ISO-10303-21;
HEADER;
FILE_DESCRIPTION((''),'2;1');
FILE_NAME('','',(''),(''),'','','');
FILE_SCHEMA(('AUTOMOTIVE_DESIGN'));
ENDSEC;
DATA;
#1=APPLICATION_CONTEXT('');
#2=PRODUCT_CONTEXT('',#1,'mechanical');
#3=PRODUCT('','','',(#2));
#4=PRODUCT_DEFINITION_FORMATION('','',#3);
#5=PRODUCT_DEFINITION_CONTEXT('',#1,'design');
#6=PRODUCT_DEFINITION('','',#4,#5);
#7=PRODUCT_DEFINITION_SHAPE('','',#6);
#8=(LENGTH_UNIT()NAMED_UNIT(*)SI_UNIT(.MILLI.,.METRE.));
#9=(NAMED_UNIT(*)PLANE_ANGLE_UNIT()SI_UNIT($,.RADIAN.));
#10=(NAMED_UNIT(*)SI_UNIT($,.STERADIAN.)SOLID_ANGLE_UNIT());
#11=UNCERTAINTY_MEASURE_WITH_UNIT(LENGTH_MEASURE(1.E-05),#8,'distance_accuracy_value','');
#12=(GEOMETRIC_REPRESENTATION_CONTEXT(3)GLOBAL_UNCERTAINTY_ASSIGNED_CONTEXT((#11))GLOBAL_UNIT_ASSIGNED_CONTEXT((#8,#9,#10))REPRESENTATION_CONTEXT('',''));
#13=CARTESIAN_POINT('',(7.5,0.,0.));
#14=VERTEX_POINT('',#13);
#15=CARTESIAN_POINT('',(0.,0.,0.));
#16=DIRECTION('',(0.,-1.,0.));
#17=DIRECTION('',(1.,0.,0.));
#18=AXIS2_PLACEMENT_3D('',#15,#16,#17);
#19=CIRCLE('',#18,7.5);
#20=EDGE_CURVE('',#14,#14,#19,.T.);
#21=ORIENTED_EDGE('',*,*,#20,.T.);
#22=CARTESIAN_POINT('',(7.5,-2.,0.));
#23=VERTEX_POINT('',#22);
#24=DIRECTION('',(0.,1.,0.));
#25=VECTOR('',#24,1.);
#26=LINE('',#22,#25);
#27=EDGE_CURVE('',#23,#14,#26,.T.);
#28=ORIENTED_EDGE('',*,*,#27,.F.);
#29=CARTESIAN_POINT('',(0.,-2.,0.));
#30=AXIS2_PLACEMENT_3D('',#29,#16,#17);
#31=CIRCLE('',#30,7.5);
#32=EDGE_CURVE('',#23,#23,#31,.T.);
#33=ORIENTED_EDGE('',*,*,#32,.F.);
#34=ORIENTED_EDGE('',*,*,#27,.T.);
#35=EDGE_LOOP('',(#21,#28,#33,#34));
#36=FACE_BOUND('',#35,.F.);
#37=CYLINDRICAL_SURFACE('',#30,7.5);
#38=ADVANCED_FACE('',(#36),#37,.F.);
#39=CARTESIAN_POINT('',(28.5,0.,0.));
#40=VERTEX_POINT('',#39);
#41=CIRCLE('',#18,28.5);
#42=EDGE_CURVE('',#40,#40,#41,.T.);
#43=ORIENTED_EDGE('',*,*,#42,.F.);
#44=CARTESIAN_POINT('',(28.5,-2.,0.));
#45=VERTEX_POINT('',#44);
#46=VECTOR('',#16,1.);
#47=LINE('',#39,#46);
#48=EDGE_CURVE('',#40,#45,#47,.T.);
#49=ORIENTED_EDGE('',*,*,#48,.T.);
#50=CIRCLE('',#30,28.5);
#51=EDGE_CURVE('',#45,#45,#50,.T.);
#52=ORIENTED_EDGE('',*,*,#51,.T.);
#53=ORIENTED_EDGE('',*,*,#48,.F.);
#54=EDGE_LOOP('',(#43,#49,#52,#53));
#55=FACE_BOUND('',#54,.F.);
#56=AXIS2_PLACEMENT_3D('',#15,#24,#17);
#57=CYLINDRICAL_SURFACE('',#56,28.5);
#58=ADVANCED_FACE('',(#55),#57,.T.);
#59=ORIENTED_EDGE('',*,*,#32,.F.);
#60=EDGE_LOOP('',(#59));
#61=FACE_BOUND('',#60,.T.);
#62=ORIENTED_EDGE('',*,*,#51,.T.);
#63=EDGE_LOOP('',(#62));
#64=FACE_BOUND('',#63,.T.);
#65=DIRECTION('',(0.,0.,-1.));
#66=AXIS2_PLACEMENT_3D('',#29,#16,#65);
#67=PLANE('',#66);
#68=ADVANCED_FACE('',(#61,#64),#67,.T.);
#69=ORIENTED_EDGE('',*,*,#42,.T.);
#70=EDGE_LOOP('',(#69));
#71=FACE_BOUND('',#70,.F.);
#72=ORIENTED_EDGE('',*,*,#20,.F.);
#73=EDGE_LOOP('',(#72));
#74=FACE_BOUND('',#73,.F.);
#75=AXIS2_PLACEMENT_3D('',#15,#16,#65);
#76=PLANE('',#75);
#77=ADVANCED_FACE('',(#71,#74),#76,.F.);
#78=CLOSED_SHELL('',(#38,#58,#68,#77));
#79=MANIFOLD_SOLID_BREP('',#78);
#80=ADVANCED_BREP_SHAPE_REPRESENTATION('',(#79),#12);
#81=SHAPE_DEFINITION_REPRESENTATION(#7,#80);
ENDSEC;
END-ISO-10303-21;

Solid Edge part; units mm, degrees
sketch "Sketch1" plane through (0, 0, 0) normal (0, -1, 0) x (1, 0, 0)
  circle A0 centre (0, 0) radius 28.5
  dimension "D1" = 57
extrude "Protrusion1" add sketch "Sketch1" along normal blind 2
sketch "Sketch2" plane through (0, -2, 0) normal (0, -1, 0) x (1, 0, 0)
  circle A0 centre (0, 0) radius 7.5
  dimension "D1" = 15
extrude "Cutout1" cut sketch "Sketch2" against normal through all
properties material "Aluminum, 1060"
